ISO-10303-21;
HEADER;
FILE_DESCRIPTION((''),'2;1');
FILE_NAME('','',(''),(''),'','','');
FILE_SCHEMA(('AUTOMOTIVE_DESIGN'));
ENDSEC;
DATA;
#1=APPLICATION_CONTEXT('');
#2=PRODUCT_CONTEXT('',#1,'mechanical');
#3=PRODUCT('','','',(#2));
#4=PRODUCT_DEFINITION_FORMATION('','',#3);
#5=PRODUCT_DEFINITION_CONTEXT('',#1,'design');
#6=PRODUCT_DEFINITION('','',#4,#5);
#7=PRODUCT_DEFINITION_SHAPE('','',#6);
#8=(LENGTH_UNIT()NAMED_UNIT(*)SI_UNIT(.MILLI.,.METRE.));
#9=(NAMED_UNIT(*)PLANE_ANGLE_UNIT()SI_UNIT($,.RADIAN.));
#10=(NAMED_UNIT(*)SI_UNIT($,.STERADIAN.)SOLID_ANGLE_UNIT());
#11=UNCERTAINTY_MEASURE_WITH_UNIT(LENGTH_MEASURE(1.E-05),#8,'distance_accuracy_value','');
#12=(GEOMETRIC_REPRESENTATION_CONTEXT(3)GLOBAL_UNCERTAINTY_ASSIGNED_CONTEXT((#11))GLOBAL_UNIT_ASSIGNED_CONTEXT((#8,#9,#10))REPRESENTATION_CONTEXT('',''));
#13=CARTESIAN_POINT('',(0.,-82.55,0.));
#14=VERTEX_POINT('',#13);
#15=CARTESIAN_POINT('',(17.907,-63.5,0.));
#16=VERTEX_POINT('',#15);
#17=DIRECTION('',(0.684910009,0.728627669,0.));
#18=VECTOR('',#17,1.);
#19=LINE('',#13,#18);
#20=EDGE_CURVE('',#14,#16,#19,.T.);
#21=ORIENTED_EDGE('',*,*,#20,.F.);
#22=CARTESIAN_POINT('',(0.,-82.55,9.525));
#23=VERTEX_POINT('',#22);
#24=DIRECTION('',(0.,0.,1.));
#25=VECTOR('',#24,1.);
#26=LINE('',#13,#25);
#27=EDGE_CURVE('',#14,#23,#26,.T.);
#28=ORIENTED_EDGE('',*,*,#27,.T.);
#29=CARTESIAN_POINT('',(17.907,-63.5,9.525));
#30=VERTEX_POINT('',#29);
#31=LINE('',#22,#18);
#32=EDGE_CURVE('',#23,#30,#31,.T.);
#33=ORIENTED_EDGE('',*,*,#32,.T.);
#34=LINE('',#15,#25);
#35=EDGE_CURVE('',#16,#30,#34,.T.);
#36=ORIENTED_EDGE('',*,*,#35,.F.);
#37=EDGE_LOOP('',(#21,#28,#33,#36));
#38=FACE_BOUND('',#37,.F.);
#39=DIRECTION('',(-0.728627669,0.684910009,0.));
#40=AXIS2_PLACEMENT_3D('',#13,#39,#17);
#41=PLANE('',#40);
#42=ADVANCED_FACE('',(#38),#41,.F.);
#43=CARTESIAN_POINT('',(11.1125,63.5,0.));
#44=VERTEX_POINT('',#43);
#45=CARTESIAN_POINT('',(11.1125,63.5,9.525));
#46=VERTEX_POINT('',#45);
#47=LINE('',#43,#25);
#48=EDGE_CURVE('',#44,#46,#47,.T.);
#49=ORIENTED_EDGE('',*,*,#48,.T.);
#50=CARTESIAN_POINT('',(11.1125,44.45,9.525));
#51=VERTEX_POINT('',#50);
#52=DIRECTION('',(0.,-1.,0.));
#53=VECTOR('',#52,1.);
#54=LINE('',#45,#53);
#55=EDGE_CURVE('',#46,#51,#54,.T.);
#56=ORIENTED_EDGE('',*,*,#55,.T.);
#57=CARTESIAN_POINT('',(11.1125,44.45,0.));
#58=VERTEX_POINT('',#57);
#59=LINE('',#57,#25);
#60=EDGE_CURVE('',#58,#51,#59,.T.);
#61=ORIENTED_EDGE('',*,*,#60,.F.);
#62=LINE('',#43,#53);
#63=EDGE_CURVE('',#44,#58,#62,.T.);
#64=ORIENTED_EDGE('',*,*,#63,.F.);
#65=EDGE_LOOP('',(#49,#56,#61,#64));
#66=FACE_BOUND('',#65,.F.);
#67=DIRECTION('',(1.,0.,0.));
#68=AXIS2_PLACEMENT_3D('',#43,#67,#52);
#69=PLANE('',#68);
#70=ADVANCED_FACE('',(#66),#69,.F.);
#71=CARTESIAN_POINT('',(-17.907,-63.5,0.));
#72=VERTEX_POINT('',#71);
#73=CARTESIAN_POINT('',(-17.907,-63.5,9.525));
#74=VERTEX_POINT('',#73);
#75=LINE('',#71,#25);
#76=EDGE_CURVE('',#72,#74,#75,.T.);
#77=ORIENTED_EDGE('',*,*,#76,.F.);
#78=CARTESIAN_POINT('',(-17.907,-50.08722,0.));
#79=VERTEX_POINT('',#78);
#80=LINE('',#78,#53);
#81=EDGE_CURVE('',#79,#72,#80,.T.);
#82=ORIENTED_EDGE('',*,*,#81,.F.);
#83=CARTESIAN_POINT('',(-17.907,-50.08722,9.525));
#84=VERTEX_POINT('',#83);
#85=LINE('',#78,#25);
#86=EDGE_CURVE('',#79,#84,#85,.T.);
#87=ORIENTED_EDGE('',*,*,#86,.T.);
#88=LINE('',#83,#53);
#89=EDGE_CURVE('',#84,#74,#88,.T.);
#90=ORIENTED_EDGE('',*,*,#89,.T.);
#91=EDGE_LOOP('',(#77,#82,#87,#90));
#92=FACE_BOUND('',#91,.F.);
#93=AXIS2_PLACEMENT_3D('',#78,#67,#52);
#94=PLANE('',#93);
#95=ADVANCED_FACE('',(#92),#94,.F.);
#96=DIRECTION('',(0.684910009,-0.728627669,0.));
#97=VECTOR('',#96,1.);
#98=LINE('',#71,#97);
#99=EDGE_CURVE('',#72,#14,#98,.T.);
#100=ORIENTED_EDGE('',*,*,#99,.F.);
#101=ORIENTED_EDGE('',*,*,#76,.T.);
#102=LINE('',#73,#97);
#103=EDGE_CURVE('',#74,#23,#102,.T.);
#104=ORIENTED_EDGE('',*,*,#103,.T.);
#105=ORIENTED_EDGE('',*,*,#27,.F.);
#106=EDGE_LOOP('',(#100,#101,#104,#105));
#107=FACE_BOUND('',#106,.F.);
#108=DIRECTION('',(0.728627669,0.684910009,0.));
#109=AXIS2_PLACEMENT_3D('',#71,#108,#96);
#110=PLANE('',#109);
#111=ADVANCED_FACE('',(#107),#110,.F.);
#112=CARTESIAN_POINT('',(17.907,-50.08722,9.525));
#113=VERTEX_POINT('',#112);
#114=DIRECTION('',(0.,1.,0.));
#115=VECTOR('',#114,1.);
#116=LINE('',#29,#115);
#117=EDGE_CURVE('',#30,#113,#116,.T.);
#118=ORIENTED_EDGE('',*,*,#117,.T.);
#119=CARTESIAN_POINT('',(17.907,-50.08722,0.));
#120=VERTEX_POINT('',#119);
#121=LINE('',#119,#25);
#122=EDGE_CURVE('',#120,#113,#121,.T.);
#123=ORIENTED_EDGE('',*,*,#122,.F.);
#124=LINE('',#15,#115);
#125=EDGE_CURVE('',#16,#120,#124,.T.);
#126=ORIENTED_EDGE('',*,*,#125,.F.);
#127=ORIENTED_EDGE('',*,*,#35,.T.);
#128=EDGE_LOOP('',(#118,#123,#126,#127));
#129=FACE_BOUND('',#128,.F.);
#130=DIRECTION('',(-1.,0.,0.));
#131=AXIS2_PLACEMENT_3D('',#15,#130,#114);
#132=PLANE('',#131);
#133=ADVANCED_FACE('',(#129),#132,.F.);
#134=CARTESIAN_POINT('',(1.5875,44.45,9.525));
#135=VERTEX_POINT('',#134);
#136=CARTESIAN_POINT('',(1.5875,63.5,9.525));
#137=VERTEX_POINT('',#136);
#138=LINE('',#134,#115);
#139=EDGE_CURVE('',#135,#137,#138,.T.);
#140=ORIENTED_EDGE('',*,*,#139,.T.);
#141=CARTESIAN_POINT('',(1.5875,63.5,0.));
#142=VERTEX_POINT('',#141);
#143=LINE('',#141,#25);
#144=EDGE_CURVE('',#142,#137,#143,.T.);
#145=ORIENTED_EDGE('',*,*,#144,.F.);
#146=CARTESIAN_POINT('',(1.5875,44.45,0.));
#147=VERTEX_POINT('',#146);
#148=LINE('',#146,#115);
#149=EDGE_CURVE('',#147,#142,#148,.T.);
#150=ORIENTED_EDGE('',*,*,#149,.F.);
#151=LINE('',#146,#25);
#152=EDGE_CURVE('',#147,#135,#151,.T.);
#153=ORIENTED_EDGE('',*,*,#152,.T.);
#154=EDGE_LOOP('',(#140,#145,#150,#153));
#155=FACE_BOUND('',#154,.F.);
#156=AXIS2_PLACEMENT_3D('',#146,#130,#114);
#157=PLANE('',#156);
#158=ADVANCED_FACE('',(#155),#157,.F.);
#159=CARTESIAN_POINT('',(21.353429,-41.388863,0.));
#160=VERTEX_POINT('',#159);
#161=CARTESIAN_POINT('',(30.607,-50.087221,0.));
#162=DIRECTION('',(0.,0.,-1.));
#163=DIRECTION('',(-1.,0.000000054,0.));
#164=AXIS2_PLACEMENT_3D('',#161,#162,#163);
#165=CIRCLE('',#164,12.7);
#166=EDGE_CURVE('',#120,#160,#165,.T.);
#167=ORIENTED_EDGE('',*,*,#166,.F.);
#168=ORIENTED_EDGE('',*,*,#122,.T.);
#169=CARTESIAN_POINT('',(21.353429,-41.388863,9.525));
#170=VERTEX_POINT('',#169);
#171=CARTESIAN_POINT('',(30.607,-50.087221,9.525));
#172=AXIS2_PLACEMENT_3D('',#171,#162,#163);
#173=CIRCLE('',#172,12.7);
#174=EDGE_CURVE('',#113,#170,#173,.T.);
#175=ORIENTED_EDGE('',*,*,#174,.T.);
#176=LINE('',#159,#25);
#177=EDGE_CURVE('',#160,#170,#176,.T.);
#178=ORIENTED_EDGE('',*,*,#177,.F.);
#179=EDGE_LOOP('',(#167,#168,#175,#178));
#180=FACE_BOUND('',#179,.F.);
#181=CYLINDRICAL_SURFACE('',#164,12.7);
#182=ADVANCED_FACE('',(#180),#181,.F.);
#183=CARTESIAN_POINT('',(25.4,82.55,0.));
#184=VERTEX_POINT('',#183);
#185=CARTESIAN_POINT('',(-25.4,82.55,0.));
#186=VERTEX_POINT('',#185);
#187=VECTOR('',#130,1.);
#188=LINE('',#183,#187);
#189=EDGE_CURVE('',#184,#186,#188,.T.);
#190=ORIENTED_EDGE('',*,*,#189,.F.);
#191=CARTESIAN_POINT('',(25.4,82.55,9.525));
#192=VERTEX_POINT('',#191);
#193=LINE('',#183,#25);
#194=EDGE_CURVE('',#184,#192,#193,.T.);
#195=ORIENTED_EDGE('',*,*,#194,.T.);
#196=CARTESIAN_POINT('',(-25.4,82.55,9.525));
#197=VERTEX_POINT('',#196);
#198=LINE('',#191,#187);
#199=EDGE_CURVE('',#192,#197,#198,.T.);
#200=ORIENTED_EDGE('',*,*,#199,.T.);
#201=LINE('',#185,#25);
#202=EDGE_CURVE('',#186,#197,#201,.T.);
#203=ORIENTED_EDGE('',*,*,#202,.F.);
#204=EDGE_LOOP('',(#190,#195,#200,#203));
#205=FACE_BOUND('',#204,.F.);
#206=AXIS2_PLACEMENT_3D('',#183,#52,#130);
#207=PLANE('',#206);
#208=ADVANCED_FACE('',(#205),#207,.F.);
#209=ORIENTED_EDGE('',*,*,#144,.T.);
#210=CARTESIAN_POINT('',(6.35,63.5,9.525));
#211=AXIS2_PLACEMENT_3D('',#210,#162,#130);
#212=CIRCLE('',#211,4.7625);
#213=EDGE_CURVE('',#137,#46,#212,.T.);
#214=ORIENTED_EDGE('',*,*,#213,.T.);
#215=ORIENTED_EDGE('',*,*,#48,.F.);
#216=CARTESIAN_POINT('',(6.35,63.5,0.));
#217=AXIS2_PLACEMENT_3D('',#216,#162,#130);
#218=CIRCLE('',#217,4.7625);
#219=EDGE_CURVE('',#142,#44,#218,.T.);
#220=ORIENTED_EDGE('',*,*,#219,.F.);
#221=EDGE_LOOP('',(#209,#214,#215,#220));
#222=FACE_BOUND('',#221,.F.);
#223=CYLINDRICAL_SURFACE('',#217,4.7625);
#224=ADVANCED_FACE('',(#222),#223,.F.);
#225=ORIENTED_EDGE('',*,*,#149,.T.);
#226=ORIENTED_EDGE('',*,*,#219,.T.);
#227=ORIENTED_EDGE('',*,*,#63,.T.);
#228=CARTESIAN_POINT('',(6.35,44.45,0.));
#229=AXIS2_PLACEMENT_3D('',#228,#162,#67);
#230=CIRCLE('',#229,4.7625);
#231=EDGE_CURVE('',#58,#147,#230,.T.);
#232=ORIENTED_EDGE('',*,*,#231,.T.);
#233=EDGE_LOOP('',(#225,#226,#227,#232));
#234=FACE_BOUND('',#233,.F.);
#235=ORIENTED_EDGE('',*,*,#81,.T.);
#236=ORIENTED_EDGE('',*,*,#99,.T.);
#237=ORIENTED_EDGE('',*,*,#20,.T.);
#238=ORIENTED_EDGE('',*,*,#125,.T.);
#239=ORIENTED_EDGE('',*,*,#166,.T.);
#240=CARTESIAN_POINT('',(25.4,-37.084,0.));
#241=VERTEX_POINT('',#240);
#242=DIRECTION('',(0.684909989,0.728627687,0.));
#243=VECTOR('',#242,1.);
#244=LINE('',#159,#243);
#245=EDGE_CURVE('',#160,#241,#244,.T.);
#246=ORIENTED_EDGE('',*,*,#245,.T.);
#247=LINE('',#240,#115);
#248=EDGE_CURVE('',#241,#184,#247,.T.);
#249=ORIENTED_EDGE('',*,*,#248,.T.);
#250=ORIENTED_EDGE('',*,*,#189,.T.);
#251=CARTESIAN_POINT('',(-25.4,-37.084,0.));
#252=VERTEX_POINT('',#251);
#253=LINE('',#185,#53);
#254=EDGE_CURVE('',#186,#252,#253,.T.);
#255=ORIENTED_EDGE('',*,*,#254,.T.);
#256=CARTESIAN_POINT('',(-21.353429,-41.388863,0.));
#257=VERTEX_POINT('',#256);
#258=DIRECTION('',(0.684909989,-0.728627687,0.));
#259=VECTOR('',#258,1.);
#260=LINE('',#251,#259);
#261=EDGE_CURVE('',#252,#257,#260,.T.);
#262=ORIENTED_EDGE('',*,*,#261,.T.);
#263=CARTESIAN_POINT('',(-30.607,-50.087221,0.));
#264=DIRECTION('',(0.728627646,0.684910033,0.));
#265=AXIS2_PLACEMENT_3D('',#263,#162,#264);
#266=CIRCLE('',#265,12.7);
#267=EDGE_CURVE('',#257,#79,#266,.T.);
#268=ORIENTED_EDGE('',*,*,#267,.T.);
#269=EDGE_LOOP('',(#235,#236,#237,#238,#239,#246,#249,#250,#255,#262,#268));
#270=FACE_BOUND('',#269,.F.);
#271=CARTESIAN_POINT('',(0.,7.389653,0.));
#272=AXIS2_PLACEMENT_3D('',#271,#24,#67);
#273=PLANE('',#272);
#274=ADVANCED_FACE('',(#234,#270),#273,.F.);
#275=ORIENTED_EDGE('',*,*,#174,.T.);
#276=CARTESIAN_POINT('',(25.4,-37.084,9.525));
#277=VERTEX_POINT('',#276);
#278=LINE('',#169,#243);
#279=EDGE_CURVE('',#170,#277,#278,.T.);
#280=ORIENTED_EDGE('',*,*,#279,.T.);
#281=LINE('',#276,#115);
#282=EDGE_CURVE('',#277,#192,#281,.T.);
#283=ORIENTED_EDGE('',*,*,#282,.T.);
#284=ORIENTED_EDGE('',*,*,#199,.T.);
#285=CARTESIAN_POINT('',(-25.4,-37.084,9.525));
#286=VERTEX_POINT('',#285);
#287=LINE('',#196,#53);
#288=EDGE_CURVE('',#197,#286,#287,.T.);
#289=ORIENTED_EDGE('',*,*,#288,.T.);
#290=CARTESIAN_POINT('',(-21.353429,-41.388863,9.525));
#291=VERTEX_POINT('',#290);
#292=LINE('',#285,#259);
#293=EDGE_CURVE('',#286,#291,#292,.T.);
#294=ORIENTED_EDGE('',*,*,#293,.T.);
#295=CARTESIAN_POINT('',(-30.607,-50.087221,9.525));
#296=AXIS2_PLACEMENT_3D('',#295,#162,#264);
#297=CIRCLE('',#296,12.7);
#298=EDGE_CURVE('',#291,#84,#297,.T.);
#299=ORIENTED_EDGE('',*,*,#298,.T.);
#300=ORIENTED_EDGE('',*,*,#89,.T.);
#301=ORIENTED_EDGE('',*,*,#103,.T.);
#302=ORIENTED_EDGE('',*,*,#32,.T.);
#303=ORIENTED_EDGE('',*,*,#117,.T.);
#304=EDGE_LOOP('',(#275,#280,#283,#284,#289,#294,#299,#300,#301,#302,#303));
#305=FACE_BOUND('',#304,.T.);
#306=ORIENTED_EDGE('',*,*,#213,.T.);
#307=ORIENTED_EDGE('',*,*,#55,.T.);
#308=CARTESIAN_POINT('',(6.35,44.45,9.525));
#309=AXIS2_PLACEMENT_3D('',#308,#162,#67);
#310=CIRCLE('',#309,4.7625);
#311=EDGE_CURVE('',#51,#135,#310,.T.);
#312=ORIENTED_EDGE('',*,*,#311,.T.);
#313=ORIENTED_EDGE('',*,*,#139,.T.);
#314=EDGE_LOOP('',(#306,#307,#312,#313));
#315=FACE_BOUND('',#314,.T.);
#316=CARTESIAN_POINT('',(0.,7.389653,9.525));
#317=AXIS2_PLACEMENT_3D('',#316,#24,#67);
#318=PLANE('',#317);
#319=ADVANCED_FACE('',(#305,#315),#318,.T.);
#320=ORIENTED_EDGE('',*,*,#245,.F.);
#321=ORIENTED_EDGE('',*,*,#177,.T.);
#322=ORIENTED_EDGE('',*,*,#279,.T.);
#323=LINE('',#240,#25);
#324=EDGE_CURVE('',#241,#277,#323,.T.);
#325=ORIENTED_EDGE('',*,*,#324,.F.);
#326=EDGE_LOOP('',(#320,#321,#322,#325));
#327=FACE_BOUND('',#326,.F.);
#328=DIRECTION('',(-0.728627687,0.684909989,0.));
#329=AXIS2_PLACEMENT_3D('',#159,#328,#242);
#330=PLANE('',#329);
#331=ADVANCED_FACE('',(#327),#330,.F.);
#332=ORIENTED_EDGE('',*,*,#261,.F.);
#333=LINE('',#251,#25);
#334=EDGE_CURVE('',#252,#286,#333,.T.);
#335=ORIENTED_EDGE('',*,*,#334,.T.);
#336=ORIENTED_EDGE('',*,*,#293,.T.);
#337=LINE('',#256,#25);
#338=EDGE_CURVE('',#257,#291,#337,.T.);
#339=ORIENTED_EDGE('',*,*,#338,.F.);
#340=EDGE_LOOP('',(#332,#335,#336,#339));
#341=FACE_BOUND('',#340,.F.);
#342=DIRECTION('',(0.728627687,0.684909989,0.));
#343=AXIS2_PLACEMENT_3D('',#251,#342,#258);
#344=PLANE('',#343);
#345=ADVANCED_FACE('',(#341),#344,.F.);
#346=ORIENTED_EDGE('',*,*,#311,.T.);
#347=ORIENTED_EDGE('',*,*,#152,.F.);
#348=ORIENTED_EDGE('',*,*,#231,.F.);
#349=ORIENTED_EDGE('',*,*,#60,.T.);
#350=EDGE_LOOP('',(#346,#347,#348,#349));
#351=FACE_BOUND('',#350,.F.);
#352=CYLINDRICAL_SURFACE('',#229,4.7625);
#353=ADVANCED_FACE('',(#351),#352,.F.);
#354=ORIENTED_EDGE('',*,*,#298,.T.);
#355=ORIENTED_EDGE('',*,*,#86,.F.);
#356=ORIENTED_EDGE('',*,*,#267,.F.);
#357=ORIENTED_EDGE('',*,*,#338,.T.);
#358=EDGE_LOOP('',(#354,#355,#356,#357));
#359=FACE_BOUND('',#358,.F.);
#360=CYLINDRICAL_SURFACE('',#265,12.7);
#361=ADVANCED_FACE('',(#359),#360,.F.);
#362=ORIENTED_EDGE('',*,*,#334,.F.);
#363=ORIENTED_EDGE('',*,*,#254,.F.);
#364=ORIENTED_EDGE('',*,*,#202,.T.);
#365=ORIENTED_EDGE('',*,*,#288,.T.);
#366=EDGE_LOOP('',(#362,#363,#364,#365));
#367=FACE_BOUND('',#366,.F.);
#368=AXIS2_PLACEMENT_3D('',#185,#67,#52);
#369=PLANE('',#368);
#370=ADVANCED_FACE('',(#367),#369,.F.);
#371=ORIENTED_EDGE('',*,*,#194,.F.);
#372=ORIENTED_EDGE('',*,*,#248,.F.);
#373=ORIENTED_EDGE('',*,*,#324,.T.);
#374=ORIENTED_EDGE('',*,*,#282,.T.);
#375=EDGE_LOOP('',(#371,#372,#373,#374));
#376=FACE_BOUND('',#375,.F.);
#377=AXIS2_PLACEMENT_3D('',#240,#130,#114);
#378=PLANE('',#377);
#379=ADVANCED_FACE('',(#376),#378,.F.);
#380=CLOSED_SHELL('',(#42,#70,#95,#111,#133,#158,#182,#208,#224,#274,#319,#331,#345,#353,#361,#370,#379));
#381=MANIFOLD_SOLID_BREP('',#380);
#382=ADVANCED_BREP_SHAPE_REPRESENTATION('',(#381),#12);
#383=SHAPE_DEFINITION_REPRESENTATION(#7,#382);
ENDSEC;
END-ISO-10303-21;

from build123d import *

# Parameters (mm, degrees)
F1_DEPTH = 9.525


with BuildPart() as f1:
    # F0 (on Top) → F1 (new body)
    with BuildSketch(Plane.XY):
        with BuildLine():
            Line((25.4, -37.084), (25.4, 82.55))
            Line((25.4, 82.55), (-25.4, 82.55))
            Line((-25.4, 82.55), (-25.4, -37.084))
            Line((-25.4, -37.084), (-21.353429, -41.388863))
            ThreePointArc((-21.353429, -41.388863), (-18.800003, -45.409099), (-17.907, -50.08722))
            Line((-17.907, -50.08722), (-17.907, -63.5))
            Line((-17.907, -63.5), (0, -82.55))
            Line((0, -82.55), (17.907, -63.5))
            Line((17.907, -63.5), (17.907, -50.08722))
            ThreePointArc((17.907, -50.08722), (18.800003, -45.409099), (21.353429, -41.388863))
            Line((21.353429, -41.388863), (25.4, -37.084))
        make_face()
        with BuildLine():
            ThreePointArc((1.5875, 63.5), (6.35, 68.2625), (11.1125, 63.5))
            Line((11.1125, 63.5), (11.1125, 44.45))
            ThreePointArc((11.1125, 44.45), (6.35, 39.6875), (1.5875, 44.45))
            Line((1.5875, 44.45), (1.5875, 63.5))
        make_face(mode=Mode.SUBTRACT)
    extrude(amount=F1_DEPTH)


solid = f1.part
